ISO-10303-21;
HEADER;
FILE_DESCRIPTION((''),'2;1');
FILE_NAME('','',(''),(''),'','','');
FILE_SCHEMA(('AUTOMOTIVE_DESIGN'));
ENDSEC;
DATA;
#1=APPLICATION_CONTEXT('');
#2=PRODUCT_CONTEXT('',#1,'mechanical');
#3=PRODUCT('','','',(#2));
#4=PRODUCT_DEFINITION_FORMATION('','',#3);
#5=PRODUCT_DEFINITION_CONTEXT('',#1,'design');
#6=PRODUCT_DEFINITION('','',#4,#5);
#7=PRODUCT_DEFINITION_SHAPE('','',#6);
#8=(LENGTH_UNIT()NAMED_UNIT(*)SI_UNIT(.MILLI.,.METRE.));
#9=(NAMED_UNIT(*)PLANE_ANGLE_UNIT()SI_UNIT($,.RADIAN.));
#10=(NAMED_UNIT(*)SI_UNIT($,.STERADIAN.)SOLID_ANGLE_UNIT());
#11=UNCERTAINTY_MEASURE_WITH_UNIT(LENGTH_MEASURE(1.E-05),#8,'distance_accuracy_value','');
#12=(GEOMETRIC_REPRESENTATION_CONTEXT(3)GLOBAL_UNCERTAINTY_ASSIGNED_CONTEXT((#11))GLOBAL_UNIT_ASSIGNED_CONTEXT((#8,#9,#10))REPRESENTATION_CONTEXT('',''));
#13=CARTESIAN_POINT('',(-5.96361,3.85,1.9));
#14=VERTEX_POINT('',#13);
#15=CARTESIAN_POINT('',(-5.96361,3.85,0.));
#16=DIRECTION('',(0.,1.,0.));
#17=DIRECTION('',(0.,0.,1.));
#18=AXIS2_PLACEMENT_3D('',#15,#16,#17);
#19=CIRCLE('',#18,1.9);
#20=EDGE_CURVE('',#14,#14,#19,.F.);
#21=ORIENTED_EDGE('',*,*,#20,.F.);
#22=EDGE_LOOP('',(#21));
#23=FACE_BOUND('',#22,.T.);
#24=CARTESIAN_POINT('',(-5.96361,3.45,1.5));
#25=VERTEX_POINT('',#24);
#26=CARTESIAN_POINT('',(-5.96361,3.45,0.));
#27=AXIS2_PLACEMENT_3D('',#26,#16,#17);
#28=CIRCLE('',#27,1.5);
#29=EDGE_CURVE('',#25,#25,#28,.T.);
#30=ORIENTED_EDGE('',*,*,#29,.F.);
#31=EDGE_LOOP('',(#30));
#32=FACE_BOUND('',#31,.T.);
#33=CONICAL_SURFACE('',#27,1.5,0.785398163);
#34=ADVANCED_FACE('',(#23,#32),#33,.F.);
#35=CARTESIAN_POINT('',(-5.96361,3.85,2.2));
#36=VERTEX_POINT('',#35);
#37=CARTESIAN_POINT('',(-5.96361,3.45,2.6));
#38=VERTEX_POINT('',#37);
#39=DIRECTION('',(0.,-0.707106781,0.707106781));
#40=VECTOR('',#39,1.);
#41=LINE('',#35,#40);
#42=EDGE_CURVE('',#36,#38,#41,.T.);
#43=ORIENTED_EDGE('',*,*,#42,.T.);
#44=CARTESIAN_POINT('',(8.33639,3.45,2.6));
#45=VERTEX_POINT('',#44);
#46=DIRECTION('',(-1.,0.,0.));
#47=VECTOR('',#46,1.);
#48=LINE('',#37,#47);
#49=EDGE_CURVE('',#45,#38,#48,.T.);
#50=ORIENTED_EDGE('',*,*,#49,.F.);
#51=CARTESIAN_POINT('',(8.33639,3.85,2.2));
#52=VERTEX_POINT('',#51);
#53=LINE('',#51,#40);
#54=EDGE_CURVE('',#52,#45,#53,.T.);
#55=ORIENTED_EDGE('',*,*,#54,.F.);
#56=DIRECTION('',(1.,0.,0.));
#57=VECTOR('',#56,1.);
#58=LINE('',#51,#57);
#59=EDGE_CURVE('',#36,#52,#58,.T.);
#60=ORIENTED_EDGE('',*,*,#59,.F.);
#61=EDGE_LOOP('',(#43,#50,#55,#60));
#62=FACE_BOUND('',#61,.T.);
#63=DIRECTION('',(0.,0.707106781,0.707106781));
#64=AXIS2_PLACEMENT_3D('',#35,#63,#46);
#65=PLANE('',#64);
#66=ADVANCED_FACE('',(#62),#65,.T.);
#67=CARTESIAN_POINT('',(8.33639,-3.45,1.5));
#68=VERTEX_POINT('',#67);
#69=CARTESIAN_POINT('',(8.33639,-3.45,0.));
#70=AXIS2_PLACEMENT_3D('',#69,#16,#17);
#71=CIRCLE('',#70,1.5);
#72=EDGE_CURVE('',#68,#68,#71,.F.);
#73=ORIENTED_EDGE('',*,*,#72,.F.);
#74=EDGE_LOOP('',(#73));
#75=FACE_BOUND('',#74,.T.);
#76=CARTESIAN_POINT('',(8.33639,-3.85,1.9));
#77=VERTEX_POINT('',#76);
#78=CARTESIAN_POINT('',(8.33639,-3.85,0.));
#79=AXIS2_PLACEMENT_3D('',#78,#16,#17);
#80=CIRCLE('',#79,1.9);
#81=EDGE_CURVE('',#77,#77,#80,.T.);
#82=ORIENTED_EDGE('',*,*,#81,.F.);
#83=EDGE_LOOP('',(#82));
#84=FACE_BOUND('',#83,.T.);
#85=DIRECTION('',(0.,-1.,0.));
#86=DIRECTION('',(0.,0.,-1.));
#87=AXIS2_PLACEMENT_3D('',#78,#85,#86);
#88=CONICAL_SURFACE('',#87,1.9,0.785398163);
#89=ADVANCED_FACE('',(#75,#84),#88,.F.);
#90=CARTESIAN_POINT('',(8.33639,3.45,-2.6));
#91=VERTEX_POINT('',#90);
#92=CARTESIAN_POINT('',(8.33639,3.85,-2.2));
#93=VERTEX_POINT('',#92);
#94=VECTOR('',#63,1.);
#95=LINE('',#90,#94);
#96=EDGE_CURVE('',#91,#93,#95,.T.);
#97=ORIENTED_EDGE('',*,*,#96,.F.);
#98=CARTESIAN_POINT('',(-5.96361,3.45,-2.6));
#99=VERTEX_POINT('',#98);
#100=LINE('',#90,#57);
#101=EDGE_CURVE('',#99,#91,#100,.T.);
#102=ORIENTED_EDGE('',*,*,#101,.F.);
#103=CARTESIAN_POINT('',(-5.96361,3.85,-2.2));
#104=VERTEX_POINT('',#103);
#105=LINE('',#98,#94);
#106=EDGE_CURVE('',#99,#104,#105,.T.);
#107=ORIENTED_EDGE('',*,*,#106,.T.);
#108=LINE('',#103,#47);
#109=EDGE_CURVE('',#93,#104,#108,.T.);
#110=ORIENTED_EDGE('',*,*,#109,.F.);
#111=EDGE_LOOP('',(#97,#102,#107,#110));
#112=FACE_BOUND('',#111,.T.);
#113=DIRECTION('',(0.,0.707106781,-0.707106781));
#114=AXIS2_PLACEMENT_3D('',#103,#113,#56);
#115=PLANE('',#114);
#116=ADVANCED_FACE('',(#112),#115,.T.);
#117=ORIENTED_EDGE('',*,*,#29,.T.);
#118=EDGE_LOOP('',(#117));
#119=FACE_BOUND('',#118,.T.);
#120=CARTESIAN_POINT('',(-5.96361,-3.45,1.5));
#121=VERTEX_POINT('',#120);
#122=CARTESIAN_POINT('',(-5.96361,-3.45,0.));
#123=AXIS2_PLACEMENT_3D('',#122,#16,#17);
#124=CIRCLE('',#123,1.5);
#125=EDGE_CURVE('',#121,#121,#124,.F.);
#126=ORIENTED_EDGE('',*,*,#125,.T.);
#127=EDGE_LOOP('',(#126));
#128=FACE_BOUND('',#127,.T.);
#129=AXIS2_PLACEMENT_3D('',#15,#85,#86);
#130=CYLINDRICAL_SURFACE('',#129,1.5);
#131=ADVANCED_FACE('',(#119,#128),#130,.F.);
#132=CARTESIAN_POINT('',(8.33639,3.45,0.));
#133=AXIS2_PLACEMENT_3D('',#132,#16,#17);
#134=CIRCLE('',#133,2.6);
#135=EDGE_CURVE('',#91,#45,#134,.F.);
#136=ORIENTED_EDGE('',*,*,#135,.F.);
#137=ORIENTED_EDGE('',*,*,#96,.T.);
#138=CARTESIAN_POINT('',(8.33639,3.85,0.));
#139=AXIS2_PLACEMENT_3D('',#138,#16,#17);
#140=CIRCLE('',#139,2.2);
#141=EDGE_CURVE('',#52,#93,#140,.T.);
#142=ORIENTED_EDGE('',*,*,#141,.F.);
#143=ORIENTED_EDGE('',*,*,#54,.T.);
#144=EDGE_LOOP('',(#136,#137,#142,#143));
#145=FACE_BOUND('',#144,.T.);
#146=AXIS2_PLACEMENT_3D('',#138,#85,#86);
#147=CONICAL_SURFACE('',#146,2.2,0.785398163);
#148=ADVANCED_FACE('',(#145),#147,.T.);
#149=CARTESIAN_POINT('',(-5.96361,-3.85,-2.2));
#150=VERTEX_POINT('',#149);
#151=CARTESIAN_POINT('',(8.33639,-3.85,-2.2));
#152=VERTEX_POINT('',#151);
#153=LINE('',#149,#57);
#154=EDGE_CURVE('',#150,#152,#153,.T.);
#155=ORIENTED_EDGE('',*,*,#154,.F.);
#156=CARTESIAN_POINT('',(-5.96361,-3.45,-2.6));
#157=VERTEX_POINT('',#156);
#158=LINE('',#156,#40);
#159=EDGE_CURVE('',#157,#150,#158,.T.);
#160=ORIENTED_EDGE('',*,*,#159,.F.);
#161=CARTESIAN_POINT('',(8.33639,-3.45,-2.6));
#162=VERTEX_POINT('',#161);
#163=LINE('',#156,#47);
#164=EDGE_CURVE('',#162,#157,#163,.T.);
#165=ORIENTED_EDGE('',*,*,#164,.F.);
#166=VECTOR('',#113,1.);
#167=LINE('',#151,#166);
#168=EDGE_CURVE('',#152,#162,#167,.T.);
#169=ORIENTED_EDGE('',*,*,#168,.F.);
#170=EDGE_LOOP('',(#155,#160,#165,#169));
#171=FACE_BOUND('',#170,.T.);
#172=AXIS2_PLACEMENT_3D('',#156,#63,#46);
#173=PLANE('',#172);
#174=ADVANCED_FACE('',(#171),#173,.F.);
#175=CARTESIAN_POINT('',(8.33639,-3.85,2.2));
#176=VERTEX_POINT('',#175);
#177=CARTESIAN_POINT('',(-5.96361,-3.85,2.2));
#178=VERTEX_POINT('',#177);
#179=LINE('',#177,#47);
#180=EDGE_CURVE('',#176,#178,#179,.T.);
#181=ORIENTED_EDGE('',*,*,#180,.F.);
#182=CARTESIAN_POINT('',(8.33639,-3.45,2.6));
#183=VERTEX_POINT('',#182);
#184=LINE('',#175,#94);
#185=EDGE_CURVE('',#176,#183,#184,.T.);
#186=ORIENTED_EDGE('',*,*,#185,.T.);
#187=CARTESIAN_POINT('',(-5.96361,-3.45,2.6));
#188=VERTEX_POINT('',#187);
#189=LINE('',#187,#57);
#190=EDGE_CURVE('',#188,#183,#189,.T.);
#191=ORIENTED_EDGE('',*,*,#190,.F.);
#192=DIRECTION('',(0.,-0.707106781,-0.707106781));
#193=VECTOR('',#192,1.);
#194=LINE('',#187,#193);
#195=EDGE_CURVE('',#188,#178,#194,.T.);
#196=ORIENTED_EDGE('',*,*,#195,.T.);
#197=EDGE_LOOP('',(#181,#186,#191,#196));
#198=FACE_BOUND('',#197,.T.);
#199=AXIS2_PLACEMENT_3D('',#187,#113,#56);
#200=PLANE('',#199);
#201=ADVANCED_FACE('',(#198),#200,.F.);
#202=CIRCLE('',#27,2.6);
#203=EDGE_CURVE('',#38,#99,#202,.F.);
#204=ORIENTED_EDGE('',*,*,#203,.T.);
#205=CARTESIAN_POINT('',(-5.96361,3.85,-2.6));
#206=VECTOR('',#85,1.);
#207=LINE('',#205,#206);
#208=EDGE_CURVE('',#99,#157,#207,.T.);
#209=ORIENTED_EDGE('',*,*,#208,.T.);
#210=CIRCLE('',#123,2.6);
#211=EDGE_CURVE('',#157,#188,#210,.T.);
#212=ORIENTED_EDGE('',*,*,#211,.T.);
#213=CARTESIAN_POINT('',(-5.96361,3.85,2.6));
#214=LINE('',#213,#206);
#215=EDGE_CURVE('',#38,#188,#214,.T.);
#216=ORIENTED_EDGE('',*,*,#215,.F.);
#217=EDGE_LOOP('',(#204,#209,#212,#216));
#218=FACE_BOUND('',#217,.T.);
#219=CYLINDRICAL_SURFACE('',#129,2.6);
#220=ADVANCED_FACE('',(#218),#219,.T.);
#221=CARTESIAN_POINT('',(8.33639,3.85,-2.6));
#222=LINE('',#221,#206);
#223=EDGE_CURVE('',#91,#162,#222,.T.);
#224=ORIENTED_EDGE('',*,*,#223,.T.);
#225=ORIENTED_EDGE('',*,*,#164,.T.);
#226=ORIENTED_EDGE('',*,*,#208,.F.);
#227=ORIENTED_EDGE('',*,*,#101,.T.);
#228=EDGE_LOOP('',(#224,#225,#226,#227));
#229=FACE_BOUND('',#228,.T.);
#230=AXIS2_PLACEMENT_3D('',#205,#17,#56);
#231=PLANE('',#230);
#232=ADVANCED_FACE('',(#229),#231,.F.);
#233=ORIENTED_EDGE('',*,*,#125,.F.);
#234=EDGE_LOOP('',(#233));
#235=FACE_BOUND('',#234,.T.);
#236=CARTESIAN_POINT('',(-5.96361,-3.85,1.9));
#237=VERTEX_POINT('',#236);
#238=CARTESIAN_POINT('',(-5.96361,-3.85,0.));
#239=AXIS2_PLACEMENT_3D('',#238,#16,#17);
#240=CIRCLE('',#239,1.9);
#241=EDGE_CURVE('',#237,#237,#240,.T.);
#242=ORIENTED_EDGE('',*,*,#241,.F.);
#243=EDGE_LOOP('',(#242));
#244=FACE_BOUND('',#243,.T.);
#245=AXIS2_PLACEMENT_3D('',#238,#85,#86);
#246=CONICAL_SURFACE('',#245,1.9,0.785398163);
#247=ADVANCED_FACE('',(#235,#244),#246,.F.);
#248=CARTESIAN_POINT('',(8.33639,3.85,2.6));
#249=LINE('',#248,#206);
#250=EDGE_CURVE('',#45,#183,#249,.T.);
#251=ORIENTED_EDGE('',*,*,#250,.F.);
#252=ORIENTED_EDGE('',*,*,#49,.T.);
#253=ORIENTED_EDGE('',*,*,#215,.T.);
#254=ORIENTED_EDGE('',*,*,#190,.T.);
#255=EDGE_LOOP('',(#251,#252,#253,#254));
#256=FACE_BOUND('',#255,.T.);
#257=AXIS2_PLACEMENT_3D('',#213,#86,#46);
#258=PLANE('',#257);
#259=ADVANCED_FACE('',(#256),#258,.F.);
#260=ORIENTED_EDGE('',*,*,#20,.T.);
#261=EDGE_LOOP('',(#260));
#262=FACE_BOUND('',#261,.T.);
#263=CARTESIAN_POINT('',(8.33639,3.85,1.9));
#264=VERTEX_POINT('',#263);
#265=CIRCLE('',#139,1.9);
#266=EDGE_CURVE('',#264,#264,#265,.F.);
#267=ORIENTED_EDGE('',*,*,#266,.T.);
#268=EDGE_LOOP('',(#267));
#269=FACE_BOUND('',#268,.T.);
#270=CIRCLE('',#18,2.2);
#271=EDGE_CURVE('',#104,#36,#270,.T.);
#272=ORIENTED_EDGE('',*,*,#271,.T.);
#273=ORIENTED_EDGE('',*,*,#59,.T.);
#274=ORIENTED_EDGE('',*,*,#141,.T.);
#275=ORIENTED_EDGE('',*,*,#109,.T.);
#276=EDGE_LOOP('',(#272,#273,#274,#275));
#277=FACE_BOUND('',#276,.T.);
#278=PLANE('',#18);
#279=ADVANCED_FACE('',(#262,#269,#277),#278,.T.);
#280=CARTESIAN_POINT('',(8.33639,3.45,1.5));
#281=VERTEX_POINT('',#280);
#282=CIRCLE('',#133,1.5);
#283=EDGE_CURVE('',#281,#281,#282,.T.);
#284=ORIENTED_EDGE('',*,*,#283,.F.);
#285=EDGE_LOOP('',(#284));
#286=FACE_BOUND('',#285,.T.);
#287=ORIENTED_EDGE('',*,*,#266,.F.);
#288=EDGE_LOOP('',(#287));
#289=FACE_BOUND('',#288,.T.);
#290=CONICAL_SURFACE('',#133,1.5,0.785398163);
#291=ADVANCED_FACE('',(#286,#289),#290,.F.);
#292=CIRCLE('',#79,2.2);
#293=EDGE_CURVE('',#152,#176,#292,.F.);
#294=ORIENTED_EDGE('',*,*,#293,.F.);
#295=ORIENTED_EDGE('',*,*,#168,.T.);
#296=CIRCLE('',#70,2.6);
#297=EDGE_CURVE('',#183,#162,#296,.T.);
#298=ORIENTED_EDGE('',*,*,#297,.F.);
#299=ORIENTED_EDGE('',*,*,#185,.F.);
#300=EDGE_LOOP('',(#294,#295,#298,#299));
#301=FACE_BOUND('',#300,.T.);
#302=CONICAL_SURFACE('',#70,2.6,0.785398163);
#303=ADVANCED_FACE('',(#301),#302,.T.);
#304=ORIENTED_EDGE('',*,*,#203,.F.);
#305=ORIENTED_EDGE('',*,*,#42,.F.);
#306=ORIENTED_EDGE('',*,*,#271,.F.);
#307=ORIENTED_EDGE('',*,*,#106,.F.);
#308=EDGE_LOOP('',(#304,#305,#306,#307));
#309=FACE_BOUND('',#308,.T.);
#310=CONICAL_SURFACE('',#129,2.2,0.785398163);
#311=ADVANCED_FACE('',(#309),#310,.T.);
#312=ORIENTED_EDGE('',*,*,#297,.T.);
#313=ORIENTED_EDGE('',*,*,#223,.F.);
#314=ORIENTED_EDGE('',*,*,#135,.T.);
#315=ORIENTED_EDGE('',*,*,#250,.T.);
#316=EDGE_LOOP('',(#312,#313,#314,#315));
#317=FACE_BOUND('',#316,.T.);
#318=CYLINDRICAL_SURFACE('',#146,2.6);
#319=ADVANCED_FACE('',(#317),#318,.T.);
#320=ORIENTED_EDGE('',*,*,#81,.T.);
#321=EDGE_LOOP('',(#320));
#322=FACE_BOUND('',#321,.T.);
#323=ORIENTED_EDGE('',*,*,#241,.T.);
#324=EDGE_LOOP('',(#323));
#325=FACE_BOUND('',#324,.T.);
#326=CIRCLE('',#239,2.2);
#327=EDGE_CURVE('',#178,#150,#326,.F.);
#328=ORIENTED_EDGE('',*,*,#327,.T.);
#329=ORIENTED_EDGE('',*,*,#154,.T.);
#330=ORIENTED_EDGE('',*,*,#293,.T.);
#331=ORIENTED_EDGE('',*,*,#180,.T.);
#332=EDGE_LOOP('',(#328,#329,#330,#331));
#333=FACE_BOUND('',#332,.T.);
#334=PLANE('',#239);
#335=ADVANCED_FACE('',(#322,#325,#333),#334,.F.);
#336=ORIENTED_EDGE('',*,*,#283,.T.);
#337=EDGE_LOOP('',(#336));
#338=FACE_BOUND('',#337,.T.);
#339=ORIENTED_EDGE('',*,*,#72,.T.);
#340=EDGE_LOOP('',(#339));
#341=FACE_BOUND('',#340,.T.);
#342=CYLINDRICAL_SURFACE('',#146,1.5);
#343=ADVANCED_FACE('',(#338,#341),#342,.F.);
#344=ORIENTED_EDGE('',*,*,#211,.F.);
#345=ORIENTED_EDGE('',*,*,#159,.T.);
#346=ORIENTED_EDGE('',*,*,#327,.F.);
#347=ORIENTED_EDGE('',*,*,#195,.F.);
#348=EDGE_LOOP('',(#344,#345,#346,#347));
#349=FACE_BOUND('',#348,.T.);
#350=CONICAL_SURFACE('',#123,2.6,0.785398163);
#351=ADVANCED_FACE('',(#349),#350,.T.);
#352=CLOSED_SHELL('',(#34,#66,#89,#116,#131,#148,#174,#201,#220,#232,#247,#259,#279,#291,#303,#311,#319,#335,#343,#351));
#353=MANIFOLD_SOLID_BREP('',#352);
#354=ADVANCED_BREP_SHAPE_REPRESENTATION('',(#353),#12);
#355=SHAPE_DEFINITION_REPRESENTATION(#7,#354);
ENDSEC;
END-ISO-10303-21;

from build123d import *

# Parameters (mm, degrees)
SKETCH1_R           = 1.5
BOSS_EXTRUDE1_DEPTH = 3.85
CHAMFER2_SIZE       = 0.4


with BuildPart() as part:
    # Sketch1 → Boss-Extrude1 (new body, symmetric)
    with BuildSketch(Plane(origin=(0, 0, 0), x_dir=(1, 0, 0), z_dir=(0, 1, 0))):
        with BuildLine():
            Line((-5.963610114, 2.6), (8.336389886, 2.6))
            ThreePointArc((8.336389886, 2.6), (10.936389886, 0), (8.336389886, -2.6))
            Line((8.336389886, -2.6), (-5.963610114, -2.6))
            ThreePointArc((-5.963610114, -2.6), (-8.563610114, 0), (-5.963610114, 2.6))
        make_face()
        with Locations((-5.963610114, 0)):
            Circle(SKETCH1_R, mode=Mode.SUBTRACT)
        with Locations((8.336389886, 0)):
            Circle(SKETCH1_R, mode=Mode.SUBTRACT)
    extrude(amount=BOSS_EXTRUDE1_DEPTH, both=True)

    # Chamfer2
    chamfer2_edges = [part.edges().sort_by_distance(p)[0] for p in [
        (-7.463610114, -3.85, 0),
        (-7.463610114, 3.85, 0),
        (10.936389886, 3.85, 0),
        (6.836389886, -3.85, 0),
        (6.836389886, 3.85, 0),
        (1.186389886, 3.85, -2.6),
        (-8.563610114, 3.85, 0),
        (1.186389886, -3.85, -2.6),
        (10.936389886, -3.85, 0),
        (1.186389886, -3.85, 2.6),
        (-8.563610114, -3.85, 0),
        (1.186389886, 3.85, 2.6),
    ]]
    chamfer(chamfer2_edges, length=CHAMFER2_SIZE)


solid = part.part
